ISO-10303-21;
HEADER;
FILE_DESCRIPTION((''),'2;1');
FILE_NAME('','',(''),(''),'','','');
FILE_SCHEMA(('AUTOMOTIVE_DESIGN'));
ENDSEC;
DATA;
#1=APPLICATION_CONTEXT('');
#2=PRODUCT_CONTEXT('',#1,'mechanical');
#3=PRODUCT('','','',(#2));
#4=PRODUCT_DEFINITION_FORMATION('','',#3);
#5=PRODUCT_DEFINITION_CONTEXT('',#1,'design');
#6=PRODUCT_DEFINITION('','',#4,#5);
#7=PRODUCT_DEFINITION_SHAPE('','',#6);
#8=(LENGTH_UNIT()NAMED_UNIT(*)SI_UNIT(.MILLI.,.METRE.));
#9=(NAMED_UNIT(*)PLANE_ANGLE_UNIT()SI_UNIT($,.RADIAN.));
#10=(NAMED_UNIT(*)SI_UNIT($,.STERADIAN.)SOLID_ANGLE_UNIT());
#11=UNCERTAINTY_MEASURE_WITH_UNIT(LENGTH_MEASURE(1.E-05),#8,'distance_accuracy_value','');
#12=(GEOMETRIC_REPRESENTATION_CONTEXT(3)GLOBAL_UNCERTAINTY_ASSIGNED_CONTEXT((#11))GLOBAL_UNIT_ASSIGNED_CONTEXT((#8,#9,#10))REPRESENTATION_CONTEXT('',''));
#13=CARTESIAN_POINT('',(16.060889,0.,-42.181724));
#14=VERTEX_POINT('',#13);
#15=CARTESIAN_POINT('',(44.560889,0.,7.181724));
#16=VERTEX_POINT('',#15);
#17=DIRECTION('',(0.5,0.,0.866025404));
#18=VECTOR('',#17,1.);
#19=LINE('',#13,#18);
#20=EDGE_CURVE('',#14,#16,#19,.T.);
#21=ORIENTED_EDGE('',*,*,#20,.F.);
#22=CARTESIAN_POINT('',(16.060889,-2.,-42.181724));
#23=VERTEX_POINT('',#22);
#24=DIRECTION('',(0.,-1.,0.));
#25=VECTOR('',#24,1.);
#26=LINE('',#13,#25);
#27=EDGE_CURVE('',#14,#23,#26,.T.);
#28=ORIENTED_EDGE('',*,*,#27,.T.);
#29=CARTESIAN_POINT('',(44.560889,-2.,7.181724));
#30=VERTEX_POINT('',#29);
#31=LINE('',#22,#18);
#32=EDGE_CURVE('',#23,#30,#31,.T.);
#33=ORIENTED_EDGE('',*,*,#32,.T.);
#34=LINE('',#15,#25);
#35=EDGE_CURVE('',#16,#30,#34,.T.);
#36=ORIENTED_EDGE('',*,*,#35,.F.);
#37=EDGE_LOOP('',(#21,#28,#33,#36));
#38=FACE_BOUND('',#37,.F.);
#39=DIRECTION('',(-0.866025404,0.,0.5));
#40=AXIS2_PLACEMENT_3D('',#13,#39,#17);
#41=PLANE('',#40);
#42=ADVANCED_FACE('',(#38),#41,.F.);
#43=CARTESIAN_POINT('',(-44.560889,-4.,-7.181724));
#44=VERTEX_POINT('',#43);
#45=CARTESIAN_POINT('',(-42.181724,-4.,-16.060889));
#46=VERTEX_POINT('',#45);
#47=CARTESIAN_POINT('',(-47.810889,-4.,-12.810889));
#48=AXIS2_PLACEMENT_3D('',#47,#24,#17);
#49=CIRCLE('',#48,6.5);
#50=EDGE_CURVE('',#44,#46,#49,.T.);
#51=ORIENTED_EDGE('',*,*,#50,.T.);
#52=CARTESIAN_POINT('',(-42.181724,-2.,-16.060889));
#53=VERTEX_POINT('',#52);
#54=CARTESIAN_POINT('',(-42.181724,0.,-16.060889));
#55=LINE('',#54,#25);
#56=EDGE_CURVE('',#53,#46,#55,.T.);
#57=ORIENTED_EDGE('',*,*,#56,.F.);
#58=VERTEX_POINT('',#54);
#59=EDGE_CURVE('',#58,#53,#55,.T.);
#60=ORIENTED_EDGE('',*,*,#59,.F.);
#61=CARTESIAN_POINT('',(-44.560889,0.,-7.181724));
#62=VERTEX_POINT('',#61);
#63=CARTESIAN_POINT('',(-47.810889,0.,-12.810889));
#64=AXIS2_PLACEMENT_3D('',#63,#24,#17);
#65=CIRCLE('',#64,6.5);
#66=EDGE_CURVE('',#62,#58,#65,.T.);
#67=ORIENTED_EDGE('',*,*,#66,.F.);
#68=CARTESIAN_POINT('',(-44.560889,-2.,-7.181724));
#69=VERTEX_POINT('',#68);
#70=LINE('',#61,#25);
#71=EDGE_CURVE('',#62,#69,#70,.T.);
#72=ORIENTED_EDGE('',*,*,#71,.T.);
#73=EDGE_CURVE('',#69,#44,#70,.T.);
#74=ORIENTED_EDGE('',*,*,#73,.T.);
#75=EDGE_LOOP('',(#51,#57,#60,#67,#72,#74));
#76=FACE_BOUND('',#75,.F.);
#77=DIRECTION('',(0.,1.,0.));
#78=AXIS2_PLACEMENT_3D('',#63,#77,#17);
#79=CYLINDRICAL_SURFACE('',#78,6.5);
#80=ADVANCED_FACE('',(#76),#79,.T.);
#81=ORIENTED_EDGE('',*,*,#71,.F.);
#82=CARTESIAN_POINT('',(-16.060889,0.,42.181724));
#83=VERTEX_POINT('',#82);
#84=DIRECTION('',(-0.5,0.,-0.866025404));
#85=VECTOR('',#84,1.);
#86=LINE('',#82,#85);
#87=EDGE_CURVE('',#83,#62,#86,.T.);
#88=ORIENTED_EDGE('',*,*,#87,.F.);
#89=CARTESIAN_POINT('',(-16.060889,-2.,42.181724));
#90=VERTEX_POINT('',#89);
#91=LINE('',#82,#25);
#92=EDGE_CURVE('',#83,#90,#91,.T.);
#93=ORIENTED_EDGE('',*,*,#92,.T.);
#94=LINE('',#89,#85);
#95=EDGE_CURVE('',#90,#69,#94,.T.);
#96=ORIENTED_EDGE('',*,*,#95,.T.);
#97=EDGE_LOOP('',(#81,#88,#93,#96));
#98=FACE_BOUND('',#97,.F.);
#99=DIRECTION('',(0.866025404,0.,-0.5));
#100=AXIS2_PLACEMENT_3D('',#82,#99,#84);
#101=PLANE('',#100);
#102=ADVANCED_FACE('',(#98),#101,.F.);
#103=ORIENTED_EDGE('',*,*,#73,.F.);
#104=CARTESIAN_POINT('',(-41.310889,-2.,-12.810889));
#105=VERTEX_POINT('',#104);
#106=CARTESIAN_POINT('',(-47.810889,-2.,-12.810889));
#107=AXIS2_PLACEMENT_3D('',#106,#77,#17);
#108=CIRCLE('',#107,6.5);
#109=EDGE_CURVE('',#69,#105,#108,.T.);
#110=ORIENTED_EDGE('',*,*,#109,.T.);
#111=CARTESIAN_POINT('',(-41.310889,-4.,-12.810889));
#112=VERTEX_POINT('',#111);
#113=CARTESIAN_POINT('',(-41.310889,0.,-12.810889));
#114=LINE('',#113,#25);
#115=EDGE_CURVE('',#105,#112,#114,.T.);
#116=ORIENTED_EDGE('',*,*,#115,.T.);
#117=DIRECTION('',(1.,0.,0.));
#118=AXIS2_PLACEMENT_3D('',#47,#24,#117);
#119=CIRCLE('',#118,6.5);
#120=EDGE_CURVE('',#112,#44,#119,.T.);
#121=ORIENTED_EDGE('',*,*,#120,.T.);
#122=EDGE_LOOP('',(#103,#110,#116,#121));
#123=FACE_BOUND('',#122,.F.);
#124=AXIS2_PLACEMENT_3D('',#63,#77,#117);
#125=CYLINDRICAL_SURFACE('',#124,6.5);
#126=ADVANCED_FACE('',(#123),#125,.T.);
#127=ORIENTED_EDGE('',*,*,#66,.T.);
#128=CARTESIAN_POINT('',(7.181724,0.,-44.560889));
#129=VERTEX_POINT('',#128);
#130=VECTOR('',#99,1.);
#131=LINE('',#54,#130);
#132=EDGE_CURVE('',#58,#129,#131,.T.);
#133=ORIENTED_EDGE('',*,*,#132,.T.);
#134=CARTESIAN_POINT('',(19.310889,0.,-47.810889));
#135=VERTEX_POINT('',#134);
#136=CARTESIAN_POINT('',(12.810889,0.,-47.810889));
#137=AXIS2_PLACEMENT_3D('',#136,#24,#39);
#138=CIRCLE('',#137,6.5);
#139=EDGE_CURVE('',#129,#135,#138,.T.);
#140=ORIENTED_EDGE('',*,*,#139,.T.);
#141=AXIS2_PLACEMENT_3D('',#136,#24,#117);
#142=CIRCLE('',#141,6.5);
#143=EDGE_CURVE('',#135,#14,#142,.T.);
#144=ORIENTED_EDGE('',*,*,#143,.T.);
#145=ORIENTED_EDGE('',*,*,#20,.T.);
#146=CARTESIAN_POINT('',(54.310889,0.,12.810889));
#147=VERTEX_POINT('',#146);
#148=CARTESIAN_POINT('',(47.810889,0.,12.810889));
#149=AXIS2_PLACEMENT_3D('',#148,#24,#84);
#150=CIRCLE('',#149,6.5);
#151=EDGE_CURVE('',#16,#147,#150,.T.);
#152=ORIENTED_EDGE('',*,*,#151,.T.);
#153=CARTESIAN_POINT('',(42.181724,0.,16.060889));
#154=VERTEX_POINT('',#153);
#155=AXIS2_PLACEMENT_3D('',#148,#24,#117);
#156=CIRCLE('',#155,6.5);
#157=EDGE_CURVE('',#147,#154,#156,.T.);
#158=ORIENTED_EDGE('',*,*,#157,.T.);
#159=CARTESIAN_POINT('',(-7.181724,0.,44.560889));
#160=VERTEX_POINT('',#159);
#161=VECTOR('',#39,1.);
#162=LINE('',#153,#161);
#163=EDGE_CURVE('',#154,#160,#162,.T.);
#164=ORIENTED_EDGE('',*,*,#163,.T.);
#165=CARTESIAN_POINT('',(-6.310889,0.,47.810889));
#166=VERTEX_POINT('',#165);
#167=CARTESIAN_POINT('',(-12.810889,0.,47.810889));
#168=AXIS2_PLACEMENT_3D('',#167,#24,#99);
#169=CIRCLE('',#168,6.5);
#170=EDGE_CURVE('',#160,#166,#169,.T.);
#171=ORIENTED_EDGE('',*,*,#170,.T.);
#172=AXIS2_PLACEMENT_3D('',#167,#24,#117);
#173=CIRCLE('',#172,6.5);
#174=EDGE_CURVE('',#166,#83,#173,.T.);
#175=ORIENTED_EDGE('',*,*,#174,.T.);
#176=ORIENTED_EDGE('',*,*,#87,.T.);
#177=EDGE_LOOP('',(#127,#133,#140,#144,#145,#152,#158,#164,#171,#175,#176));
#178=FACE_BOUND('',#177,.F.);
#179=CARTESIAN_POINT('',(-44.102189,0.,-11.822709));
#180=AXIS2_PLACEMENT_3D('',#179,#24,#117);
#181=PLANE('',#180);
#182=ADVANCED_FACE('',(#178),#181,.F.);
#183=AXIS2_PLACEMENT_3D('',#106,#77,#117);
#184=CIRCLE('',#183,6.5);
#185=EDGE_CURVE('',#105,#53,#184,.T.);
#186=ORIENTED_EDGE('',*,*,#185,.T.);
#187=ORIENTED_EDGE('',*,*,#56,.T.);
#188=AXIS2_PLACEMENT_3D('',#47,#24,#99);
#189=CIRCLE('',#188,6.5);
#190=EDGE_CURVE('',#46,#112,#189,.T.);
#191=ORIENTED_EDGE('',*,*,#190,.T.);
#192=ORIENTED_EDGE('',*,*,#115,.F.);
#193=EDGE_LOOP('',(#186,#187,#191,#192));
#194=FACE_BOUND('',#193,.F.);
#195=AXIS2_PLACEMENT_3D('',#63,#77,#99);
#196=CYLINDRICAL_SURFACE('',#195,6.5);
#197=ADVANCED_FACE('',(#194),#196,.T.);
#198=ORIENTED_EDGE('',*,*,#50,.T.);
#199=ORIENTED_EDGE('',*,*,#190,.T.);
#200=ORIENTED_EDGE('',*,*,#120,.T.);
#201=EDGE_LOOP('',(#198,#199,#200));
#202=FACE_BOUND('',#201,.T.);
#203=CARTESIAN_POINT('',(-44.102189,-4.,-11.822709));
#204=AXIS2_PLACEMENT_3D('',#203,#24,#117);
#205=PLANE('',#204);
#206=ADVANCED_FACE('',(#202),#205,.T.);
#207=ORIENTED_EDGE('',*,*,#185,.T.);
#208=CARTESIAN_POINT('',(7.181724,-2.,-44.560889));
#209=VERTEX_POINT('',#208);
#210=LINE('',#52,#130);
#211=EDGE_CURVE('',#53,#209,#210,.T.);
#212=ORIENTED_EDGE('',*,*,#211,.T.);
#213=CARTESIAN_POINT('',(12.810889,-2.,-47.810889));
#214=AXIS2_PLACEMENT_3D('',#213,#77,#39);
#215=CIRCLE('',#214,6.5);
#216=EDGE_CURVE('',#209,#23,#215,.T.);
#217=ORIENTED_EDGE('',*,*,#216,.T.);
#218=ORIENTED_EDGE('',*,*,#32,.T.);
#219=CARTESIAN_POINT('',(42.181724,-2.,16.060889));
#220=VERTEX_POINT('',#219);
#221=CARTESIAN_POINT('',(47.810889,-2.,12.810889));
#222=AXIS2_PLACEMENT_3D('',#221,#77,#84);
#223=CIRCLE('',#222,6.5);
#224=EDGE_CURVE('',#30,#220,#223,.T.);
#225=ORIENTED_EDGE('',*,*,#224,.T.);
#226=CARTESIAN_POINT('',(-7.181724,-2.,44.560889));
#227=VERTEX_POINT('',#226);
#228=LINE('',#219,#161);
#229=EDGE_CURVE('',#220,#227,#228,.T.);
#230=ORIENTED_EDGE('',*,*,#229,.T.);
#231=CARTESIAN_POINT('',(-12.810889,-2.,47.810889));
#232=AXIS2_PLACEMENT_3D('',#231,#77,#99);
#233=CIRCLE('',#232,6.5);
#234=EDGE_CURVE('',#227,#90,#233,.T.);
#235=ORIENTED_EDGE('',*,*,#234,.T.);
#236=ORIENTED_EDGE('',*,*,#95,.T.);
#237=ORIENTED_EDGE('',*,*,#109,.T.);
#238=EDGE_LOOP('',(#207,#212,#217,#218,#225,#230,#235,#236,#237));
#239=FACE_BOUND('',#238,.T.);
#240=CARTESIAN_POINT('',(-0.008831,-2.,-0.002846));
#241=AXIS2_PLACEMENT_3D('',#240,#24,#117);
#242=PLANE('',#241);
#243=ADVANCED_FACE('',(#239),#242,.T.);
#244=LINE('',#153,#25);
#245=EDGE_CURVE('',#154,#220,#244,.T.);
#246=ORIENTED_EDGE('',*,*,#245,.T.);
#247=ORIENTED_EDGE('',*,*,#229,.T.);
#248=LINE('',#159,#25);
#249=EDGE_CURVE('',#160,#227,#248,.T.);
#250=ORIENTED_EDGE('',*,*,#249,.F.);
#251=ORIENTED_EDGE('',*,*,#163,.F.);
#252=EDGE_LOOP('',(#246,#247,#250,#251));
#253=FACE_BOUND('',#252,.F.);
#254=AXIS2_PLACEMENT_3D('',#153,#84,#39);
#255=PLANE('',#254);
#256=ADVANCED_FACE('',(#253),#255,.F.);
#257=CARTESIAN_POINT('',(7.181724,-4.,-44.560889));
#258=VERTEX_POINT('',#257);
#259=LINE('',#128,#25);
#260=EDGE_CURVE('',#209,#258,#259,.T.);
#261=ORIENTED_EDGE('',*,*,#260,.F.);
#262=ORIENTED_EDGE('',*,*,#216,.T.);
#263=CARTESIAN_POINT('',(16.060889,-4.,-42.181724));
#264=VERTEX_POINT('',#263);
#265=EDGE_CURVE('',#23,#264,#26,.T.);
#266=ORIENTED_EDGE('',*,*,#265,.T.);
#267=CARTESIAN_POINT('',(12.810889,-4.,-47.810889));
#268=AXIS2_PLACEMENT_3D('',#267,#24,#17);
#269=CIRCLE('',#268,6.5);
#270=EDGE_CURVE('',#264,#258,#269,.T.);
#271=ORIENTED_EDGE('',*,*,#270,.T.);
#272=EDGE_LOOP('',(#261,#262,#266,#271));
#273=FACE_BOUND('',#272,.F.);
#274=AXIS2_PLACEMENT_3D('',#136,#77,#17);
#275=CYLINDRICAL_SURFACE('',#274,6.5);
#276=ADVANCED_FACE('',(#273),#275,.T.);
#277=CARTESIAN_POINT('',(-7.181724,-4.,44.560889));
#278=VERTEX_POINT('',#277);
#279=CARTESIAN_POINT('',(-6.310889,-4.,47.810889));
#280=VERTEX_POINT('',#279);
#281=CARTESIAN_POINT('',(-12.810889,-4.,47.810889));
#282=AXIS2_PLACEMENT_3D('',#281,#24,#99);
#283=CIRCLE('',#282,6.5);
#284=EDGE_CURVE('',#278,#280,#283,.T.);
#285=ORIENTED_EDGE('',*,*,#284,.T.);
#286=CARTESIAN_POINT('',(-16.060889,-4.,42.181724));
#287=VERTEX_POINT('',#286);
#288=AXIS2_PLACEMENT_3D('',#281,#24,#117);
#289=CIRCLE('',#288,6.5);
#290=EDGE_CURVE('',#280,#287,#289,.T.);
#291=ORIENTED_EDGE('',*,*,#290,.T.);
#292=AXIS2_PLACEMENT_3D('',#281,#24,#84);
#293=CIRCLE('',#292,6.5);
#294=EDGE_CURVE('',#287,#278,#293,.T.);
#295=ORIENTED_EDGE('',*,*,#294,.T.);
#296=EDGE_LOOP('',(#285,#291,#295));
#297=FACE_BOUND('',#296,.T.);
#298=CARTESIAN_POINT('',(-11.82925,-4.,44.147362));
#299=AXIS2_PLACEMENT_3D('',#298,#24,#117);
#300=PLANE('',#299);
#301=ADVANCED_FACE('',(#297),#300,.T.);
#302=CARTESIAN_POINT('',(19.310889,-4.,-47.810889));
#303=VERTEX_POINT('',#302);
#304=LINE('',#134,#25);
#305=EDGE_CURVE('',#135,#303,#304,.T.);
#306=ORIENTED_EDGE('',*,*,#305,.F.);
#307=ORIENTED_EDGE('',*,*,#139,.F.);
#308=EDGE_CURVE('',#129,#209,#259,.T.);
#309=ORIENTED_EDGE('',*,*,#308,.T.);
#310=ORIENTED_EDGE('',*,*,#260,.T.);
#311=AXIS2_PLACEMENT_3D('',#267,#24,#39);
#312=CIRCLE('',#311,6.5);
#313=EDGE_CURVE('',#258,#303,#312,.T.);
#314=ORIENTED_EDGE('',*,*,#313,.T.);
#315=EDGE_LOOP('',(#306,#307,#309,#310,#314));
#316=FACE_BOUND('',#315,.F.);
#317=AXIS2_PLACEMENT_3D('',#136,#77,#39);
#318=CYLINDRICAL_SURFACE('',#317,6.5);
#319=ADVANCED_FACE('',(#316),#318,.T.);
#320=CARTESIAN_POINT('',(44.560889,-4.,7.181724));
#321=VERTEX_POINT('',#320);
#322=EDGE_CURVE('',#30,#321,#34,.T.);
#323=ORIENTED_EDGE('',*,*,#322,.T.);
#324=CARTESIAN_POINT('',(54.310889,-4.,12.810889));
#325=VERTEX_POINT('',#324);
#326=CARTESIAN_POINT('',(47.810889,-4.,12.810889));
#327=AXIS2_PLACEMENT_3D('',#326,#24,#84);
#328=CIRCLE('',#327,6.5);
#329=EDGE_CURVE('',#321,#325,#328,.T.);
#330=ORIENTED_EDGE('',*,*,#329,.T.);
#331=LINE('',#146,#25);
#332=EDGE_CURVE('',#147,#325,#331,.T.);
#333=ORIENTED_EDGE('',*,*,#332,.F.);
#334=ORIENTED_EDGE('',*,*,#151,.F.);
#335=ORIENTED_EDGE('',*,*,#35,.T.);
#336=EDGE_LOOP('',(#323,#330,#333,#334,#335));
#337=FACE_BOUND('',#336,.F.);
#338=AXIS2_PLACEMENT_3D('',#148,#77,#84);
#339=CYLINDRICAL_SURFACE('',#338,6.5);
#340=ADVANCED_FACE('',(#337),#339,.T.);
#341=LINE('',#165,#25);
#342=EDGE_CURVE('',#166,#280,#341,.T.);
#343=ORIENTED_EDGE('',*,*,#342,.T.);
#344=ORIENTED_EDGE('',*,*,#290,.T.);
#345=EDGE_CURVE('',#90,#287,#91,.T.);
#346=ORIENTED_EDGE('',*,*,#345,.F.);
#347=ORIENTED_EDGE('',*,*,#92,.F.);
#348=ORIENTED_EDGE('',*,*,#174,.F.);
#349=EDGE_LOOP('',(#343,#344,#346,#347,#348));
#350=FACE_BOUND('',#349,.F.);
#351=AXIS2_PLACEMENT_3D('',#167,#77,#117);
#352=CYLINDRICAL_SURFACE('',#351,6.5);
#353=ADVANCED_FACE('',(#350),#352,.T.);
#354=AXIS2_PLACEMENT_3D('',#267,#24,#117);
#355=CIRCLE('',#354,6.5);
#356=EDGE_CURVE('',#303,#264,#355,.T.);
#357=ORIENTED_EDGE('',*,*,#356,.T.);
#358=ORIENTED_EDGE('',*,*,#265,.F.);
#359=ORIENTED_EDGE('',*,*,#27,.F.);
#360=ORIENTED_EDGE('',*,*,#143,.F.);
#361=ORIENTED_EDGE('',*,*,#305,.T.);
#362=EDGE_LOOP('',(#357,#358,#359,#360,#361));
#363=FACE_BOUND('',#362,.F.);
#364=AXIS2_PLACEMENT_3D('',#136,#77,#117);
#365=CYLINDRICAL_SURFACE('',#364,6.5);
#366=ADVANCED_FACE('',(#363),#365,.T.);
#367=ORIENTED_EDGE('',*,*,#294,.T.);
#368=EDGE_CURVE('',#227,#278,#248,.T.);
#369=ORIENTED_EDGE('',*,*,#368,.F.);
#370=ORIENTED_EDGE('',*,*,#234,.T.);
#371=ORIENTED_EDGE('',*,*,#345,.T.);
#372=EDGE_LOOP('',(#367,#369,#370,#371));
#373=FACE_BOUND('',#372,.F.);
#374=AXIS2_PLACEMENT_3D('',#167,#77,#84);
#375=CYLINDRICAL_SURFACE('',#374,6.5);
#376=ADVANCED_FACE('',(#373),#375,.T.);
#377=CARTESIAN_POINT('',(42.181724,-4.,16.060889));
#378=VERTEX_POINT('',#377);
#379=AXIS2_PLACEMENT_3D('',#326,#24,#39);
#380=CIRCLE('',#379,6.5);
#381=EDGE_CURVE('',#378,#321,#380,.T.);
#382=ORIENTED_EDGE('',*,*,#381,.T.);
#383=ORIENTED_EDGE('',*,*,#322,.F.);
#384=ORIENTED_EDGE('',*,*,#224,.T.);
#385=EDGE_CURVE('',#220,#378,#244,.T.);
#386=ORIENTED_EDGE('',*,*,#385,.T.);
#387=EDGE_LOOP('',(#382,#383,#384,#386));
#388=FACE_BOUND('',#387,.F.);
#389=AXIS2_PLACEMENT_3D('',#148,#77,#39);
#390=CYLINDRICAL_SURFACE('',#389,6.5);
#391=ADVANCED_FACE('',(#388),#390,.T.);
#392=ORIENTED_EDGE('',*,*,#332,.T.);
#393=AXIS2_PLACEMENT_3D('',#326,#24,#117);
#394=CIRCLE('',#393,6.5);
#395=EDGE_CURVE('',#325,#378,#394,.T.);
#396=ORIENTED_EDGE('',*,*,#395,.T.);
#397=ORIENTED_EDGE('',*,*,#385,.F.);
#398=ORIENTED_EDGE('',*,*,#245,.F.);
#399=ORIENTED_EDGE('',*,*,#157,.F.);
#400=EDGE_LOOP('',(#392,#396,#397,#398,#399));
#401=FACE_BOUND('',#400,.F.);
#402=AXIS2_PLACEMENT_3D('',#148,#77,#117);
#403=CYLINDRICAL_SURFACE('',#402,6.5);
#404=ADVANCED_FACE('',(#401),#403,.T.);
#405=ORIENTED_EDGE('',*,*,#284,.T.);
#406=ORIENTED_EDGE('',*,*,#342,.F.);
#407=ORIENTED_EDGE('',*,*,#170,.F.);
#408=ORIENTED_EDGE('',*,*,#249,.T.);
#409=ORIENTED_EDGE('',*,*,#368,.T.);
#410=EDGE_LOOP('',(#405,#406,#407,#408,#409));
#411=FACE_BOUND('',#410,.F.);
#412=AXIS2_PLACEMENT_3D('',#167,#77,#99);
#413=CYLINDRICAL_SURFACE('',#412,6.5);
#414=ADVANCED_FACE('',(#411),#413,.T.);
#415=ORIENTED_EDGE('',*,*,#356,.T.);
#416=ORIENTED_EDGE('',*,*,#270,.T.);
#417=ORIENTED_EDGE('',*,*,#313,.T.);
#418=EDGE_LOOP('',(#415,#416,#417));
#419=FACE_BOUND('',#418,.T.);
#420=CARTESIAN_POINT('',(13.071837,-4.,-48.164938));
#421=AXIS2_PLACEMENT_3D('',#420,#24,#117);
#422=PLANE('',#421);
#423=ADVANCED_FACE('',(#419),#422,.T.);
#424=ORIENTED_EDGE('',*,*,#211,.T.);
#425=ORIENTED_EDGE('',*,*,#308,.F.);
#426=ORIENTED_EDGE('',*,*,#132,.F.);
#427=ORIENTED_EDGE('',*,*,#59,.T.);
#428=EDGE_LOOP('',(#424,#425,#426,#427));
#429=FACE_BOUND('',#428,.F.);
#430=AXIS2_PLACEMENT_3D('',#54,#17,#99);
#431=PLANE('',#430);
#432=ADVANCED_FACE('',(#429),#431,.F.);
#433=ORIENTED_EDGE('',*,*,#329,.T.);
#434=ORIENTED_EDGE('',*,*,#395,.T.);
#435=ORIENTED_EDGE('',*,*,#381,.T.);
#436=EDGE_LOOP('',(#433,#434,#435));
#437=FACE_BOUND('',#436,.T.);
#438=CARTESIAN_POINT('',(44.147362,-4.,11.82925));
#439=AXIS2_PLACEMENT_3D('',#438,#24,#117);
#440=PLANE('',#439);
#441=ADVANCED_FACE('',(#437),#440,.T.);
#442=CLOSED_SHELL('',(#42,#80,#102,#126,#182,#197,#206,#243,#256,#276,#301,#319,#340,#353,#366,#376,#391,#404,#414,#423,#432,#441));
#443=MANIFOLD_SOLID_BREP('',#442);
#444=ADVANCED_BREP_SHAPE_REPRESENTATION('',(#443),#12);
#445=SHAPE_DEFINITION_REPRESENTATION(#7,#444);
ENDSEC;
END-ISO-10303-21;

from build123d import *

# Parameters (mm, degrees)
F1_DEPTH = 2
F2_DEPTH = 4


with BuildPart() as f1:
    # F0 (on Front) → F1 (new body)
    with BuildSketch(Plane.XZ):
        with BuildLine():
            ThreePointArc((7.1817240079, -44.5608891325), (11.1285653393, -41.5323712616), (16.0608891325, -42.1817240079))
            Line((16.0608891325, -42.1817240079), (44.5608891325, 7.1817240079))
            ThreePointArc((44.5608891325, 7.1817240079), (41.5323712616, 11.1285653393), (42.1817240079, 16.0608891325))
            Line((42.1817240079, 16.0608891325), (-7.1817240079, 44.5608891325))
            ThreePointArc((-7.1817240079, 44.5608891325), (-11.1285653393, 41.5323712616), (-16.0608891325, 42.1817240079))
            Line((-16.0608891325, 42.1817240079), (-44.5608891325, -7.1817240079))
            ThreePointArc((-44.5608891325, -7.1817240079), (-42.1817240079, -9.5608891325), (-41.3108891325, -12.8108891325))
            ThreePointArc((-41.3108891325, -12.8108891325), (-41.5323712616, -14.4932129256), (-42.1817240079, -16.0608891325))
            Line((-42.1817240079, -16.0608891325), (7.1817240079, -44.5608891325))
        make_face()
    extrude(amount=F1_DEPTH)

    # F0 (on Front) → F2 (join)
    with BuildSketch(Plane.XZ):
        with BuildLine():
            Line((-47.8108891325, -12.8108891325), (-42.1817240079, -16.0608891325))
            ThreePointArc((-42.1817240079, -16.0608891325), (-41.5323712616, -14.4932129256), (-41.3108891325, -12.8108891325))
            ThreePointArc((-41.3108891325, -12.8108891325), (-42.1817240079, -9.5608891325), (-44.5608891325, -7.1817240079))
            Line((-44.5608891325, -7.1817240079), (-47.8108891325, -12.8108891325))
        make_face()
        with BuildLine():
            ThreePointArc((-44.5608891325, -7.1817240079), (-54.0894070033, -14.4932129256), (-42.1817240079, -16.0608891325))
            Line((-42.1817240079, -16.0608891325), (-47.8108891325, -12.8108891325))
            Line((-47.8108891325, -12.8108891325), (-44.5608891325, -7.1817240079))
        make_face()
        with BuildLine():
            Line((16.0608891325, -42.1817240079), (12.8108891325, -47.8108891325))
            Line((12.8108891325, -47.8108891325), (7.1817240079, -44.5608891325))
            ThreePointArc((7.1817240079, -44.5608891325), (11.1285653393, -54.0894070033), (19.3108891325, -47.8108891325))
            ThreePointArc((19.3108891325, -47.8108891325), (18.4400542571, -44.5608891325), (16.0608891325, -42.1817240079))
        make_face()
        with BuildLine():
            Line((7.1817240079, -44.5608891325), (12.8108891325, -47.8108891325))
            Line((12.8108891325, -47.8108891325), (16.0608891325, -42.1817240079))
            ThreePointArc((16.0608891325, -42.1817240079), (11.1285653393, -41.5323712616), (7.1817240079, -44.5608891325))
        make_face()
        with BuildLine():
            ThreePointArc((42.1817240079, 16.0608891325), (41.5323712616, 11.1285653393), (44.5608891325, 7.1817240079))
            Line((44.5608891325, 7.1817240079), (47.8108891325, 12.8108891325))
            Line((47.8108891325, 12.8108891325), (42.1817240079, 16.0608891325))
        make_face()
        with BuildLine():
            Line((47.8108891325, 12.8108891325), (44.5608891325, 7.1817240079))
            ThreePointArc((44.5608891325, 7.1817240079), (51.0608891325, 7.1817240079), (54.3108891325, 12.8108891325))
            ThreePointArc((54.3108891325, 12.8108891325), (49.4932129256, 19.0894070033), (42.1817240079, 16.0608891325))
            Line((42.1817240079, 16.0608891325), (47.8108891325, 12.8108891325))
        make_face()
        with BuildLine():
            ThreePointArc((-16.0608891325, 42.1817240079), (-11.1285653393, 41.5323712616), (-7.1817240079, 44.5608891325))
            Line((-7.1817240079, 44.5608891325), (-12.8108891325, 47.8108891325))
            Line((-12.8108891325, 47.8108891325), (-16.0608891325, 42.1817240079))
        make_face()
        with BuildLine():
            Line((-12.8108891325, 47.8108891325), (-7.1817240079, 44.5608891325))
            ThreePointArc((-7.1817240079, 44.5608891325), (-6.5323712616, 46.1285653393), (-6.3108891325, 47.8108891325))
            ThreePointArc((-6.3108891325, 47.8108891325), (-16.0608891325, 53.4400542571), (-16.0608891325, 42.1817240079))
            Line((-16.0608891325, 42.1817240079), (-12.8108891325, 47.8108891325))
        make_face()
    extrude(amount=F2_DEPTH)


solid = f1.part
